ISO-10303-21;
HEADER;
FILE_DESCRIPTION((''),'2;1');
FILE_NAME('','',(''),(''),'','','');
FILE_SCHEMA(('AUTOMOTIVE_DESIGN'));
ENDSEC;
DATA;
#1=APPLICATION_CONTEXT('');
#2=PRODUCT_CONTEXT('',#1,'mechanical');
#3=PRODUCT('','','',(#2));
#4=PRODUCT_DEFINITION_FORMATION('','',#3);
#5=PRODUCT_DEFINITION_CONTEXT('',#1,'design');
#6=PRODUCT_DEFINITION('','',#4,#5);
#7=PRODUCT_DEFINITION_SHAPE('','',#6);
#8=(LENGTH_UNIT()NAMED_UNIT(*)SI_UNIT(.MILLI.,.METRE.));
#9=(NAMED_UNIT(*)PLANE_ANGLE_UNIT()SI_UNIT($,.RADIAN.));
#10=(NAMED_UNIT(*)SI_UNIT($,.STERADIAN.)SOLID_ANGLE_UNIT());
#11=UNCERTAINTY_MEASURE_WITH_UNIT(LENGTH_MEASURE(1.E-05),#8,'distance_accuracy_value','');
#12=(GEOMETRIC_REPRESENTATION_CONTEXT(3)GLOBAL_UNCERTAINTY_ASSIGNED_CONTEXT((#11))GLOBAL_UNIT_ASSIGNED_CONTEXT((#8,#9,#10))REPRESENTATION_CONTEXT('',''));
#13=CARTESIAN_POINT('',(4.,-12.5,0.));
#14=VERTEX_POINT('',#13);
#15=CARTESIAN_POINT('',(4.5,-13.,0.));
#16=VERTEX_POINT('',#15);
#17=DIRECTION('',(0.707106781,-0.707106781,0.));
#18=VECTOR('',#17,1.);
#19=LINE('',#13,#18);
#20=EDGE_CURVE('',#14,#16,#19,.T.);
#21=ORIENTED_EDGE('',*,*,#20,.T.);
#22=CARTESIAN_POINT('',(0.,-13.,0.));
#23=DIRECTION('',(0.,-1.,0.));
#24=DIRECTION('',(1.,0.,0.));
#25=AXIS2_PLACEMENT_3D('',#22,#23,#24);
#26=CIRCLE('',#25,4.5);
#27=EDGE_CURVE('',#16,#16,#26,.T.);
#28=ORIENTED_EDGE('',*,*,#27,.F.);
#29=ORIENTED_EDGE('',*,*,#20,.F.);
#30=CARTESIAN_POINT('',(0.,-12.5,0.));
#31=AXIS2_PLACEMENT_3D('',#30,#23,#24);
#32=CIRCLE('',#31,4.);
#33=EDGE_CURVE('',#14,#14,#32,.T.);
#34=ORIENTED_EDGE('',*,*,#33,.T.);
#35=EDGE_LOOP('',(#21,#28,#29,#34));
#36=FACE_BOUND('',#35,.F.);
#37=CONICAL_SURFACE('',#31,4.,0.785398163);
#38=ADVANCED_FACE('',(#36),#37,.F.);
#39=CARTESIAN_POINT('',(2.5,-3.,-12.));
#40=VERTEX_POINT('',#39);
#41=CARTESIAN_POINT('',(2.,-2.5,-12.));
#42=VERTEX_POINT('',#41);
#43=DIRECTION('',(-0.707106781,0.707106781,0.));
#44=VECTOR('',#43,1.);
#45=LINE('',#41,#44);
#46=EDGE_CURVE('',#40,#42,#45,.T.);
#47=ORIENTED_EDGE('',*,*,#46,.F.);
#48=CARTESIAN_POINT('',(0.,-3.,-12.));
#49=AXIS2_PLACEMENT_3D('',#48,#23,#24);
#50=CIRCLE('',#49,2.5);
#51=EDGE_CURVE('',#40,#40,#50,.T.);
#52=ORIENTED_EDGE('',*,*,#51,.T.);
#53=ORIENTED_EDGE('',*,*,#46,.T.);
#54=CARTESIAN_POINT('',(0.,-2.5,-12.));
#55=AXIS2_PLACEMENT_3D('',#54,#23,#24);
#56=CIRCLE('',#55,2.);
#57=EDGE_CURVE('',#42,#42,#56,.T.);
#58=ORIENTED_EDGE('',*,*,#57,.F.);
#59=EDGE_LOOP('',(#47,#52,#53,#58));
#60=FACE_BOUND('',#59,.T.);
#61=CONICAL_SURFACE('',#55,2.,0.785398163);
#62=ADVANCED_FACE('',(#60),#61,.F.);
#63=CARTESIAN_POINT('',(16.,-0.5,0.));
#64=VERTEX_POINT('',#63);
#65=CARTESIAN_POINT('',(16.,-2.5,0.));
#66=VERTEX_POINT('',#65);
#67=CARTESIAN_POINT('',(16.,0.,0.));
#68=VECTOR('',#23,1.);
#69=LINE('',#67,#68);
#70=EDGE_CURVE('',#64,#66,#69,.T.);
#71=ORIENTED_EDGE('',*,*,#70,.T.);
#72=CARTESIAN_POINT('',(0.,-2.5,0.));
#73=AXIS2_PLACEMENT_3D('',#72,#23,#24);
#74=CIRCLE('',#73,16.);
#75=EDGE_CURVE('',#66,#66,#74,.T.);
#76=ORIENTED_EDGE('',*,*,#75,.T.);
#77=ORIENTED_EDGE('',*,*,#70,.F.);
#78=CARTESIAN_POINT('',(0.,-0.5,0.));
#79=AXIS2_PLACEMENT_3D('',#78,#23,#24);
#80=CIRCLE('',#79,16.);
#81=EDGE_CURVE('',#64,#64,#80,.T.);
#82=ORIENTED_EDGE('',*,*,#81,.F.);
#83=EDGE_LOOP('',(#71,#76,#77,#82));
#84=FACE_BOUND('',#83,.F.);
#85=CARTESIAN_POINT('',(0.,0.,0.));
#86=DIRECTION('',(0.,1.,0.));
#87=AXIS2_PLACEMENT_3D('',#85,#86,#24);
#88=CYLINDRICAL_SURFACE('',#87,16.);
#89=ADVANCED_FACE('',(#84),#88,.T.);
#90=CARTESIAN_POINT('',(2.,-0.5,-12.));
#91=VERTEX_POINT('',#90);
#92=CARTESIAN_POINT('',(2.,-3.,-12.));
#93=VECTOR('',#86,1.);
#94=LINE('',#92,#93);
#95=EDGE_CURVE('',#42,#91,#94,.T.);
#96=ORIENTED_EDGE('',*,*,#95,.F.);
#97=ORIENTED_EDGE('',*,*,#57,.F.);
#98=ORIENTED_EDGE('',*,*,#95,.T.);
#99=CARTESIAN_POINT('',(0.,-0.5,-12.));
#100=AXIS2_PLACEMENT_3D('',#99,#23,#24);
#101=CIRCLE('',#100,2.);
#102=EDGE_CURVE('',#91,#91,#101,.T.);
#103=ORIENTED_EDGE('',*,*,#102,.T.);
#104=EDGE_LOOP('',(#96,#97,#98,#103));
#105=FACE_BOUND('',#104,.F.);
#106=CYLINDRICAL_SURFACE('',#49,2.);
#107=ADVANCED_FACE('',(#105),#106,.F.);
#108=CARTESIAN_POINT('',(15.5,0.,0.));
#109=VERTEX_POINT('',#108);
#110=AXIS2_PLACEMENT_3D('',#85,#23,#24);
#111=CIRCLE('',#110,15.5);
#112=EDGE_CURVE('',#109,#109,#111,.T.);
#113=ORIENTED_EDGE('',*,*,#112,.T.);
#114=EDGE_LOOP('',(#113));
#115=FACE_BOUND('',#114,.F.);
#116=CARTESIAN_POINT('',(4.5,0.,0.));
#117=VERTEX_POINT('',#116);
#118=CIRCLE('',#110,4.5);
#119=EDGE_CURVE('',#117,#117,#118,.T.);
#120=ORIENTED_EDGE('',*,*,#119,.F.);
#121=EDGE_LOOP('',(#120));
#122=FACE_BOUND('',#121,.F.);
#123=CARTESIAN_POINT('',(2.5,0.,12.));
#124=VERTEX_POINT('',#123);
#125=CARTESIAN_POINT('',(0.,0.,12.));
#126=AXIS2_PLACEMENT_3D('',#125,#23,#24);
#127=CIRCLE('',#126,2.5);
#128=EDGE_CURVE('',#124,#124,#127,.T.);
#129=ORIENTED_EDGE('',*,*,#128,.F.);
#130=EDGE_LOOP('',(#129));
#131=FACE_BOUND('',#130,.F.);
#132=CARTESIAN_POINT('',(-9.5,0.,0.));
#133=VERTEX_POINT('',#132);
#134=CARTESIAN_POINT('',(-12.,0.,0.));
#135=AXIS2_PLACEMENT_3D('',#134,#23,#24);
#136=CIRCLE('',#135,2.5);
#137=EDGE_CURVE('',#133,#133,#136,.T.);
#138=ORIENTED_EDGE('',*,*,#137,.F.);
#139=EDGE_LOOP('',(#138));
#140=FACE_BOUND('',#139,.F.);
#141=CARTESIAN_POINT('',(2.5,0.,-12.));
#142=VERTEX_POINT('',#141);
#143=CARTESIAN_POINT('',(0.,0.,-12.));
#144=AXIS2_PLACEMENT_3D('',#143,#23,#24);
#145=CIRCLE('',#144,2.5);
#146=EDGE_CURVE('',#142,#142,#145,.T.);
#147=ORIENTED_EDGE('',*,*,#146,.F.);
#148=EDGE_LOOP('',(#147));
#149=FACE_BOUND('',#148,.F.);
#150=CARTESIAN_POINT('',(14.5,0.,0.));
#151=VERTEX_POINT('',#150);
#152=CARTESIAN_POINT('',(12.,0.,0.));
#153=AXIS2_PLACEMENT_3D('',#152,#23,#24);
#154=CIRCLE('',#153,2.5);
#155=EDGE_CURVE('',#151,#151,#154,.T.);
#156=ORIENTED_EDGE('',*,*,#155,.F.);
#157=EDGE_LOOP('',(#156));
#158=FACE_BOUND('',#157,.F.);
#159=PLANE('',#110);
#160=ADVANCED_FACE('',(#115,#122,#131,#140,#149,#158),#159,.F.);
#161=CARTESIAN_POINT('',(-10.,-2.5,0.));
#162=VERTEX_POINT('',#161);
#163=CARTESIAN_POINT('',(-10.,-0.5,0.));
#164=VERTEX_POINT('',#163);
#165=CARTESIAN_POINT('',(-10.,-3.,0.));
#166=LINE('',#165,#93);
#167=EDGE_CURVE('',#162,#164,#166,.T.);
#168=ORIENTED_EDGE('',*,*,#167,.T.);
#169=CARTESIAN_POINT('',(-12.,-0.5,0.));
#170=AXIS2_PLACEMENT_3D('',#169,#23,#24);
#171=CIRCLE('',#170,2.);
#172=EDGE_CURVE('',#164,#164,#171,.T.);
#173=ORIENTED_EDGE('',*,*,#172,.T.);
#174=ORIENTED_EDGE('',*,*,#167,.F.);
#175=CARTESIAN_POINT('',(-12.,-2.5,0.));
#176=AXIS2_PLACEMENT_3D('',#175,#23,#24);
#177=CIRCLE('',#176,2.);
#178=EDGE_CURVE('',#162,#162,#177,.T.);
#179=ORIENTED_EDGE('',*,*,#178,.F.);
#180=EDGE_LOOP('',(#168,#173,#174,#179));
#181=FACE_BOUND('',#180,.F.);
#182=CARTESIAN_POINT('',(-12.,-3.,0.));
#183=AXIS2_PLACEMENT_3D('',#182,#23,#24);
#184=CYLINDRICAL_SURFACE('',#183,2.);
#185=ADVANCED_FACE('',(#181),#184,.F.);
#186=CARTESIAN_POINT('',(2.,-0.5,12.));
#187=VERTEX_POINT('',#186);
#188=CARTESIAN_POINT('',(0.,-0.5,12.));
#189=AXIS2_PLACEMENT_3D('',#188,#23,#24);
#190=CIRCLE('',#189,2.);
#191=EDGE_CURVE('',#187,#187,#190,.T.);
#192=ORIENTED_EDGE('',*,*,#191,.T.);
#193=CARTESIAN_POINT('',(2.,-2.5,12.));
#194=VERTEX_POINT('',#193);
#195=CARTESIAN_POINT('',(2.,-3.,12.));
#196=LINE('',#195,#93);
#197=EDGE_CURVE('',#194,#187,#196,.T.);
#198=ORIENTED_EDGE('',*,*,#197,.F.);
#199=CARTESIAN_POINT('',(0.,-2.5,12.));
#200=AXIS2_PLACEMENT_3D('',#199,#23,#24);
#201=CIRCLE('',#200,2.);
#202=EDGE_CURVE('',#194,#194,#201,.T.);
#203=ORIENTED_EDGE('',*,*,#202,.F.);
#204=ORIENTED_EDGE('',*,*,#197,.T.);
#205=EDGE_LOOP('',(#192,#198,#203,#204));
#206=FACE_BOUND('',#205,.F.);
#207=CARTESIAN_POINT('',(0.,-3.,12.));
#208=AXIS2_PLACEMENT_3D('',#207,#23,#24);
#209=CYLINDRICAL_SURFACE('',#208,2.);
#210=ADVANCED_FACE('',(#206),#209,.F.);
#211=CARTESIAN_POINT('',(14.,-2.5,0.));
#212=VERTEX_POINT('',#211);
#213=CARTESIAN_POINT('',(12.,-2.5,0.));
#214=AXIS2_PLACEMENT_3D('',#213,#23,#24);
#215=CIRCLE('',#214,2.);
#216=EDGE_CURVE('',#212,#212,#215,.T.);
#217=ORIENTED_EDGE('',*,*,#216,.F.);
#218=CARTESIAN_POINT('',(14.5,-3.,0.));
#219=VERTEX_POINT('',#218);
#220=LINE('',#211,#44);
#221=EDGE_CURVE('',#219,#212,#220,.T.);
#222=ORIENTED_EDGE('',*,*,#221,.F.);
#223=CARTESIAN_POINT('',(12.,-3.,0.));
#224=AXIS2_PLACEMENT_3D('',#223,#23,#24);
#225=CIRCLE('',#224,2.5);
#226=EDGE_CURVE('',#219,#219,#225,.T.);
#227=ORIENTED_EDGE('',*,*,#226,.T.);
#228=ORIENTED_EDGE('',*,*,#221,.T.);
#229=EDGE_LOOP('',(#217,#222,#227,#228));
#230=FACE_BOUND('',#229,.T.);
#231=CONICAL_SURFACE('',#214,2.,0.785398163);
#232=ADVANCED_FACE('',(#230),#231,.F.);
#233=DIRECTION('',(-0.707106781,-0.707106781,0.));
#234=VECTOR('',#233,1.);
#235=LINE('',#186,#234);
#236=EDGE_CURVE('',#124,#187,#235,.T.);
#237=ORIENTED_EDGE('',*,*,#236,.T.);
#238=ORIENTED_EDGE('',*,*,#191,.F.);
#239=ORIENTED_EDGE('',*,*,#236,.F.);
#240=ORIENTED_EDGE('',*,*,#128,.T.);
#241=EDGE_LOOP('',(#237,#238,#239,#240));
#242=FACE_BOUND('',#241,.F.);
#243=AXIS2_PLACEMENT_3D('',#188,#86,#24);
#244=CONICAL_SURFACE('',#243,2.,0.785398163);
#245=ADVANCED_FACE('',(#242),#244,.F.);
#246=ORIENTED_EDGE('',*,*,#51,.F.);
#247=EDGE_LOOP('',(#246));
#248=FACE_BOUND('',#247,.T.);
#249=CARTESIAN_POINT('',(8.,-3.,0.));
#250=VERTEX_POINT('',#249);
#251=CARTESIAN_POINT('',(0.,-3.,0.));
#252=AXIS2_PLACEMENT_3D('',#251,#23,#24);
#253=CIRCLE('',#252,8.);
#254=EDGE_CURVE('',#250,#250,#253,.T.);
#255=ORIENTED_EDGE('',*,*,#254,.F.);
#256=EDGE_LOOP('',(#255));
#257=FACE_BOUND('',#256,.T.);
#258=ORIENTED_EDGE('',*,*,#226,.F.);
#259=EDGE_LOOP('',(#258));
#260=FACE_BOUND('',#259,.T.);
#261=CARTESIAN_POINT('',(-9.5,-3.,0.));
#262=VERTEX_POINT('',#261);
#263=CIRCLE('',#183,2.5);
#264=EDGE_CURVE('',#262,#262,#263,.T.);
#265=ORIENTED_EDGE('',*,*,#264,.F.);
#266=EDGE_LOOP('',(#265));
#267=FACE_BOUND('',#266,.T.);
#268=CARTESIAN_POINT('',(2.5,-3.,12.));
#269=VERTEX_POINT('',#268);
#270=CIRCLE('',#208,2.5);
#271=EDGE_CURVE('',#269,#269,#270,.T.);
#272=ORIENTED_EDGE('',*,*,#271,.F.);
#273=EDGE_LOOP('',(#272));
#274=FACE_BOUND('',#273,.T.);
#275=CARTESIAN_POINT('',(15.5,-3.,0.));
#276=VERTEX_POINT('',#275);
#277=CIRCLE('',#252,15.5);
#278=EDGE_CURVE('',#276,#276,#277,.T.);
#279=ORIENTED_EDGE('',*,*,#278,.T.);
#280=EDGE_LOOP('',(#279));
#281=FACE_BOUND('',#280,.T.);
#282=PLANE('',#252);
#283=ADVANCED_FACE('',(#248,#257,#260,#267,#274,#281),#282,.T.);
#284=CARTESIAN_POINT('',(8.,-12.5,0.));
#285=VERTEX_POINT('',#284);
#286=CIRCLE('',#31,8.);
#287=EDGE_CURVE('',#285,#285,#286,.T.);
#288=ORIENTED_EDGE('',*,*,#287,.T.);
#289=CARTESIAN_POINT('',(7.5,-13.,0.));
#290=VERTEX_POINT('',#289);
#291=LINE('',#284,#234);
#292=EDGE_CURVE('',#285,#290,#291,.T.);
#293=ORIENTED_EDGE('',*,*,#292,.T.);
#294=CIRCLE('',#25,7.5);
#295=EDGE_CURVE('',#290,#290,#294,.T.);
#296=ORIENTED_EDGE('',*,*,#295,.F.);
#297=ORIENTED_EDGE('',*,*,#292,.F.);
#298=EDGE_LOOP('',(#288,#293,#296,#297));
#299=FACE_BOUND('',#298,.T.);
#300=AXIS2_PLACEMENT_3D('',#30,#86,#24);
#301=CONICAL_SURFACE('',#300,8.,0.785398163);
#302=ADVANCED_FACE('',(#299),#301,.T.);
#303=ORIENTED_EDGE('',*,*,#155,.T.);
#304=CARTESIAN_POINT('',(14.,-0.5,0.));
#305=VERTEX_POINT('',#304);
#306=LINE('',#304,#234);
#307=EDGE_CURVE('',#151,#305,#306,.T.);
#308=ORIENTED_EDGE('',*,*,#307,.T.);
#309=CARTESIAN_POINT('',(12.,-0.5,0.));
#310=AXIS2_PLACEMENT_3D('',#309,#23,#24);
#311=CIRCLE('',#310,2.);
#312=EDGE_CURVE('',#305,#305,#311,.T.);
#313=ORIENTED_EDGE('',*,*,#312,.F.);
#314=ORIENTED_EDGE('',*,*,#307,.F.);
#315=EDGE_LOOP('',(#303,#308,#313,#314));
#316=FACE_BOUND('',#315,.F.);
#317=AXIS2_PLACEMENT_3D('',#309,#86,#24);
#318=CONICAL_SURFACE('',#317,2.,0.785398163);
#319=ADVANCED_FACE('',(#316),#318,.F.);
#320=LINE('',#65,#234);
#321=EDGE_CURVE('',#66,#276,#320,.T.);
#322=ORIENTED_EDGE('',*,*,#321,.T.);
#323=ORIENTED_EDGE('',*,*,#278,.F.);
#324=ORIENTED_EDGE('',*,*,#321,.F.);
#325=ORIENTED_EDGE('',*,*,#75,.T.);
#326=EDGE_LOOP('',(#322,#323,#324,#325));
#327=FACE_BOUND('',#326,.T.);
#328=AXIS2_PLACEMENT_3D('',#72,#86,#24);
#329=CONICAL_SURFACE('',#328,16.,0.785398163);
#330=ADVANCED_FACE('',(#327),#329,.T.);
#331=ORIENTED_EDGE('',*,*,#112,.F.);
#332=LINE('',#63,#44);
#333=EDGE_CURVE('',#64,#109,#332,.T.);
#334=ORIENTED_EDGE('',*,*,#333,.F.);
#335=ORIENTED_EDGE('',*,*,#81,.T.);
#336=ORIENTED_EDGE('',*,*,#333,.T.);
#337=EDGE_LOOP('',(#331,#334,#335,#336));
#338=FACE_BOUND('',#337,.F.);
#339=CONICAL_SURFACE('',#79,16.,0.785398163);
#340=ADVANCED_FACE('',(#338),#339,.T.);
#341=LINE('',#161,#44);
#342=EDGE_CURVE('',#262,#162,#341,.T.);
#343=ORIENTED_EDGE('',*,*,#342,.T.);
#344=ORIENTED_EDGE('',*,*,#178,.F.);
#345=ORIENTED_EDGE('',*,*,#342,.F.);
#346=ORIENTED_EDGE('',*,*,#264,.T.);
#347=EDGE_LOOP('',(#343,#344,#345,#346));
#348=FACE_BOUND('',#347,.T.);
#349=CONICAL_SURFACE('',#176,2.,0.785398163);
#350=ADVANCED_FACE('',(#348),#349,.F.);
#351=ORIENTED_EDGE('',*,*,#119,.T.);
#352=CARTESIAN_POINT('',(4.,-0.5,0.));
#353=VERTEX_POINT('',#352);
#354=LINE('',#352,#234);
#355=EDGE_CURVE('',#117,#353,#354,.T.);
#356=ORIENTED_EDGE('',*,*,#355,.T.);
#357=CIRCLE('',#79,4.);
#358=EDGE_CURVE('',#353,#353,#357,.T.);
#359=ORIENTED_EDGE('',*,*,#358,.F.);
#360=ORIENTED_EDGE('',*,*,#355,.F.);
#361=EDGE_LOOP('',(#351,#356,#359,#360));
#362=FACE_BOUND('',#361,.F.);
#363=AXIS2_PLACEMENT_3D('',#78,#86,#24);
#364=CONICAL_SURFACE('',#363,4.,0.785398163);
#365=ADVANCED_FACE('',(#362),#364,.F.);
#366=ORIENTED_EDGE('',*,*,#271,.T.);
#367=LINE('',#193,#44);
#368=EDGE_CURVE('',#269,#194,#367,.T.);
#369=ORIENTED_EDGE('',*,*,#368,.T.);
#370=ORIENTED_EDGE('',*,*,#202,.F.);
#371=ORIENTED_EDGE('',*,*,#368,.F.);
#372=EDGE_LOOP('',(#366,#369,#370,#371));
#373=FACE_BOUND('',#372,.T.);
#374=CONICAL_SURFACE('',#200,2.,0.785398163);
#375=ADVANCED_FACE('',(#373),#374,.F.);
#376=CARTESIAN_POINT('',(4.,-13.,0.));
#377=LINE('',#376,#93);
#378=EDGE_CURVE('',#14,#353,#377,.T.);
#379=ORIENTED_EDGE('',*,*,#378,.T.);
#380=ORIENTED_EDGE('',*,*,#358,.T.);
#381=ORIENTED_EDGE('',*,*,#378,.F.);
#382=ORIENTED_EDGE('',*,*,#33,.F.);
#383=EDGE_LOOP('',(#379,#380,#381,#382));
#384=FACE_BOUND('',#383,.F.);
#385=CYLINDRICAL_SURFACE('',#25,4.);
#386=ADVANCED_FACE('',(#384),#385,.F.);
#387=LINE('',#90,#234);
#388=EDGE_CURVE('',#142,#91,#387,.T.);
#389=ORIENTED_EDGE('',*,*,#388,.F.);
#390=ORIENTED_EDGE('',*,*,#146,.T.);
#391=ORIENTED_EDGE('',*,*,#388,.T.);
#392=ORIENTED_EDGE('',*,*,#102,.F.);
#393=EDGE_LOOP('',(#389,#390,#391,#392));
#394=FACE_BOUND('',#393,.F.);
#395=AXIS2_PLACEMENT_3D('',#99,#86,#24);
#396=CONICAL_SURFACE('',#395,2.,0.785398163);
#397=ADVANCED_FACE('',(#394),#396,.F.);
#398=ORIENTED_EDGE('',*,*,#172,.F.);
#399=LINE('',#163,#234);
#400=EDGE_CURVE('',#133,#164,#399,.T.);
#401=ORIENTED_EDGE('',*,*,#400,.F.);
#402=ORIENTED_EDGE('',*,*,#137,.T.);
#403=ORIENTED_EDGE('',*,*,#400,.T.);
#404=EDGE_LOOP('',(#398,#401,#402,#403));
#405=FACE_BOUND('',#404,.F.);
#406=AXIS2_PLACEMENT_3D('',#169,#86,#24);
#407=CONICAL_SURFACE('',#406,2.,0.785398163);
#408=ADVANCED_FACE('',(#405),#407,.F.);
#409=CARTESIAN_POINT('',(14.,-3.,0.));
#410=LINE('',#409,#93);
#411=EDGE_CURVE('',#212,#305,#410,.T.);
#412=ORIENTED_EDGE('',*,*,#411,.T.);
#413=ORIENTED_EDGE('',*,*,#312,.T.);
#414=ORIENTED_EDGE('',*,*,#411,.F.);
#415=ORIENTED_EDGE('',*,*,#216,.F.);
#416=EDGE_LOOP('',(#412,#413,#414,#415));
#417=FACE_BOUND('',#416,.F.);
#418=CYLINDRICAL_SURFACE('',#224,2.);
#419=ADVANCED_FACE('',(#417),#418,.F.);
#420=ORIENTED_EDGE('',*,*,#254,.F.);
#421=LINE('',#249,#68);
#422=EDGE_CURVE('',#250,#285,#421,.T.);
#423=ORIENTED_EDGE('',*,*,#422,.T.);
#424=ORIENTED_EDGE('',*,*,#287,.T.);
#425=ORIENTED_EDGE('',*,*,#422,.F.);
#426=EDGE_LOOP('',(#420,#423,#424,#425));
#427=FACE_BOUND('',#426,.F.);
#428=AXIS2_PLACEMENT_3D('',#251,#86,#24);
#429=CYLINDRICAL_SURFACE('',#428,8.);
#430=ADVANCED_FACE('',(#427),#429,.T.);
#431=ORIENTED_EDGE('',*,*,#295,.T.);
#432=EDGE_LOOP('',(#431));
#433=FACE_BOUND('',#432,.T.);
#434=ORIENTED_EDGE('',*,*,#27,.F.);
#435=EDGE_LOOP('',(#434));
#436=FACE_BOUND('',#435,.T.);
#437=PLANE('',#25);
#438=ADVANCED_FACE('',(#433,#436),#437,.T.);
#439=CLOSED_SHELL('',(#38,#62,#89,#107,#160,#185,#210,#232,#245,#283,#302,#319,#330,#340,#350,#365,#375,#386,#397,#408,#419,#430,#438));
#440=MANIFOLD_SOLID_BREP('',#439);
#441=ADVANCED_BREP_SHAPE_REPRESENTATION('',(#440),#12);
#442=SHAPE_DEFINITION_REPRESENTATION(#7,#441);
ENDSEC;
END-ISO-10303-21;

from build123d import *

# Parameters (mm, degrees)
F0_R     = 16
F1_DEPTH = 3
F2_R     = 8
F3_DEPTH = 10
F4_R     = 4
F5_DEPTH = 13.001
F6_R     = 2
F7_DEPTH = 3.001
F8_SIZE  = 0.5


with BuildPart() as f1:
    # F0 (on Front) → F1 (new body)
    with BuildSketch(Plane.XZ):
        Circle(F0_R)
    extrude(amount=F1_DEPTH)

    # F2 (on face) → F3 (join)
    with BuildSketch(Plane.XZ.offset(3)):
        Circle(F2_R)
    extrude(amount=F3_DEPTH)

    # F4 (on face) → F5 (cut, through all)
    with BuildSketch(Plane.XZ.offset(13)):
        Circle(F4_R)
    extrude(amount=-F5_DEPTH, mode=Mode.SUBTRACT)

    # F6 (on face) → F7 (cut, through all)
    with BuildSketch(Plane.XZ.offset(3)):
        with Locations((0, 12)):
            Circle(F6_R)
        with Locations((-12, 0)):
            Circle(F6_R)
        with Locations((0, -12)):
            Circle(F6_R)
        with Locations((12, 0)):
            Circle(F6_R)
    extrude(amount=-F7_DEPTH, mode=Mode.SUBTRACT)

    # F8
    f8_edges = [f1.edges().sort_by_distance(p)[0] for p in [
        (-8, -13, 0),
        (-4, -13, 0),
        (-16, 0, 0),
        (-2, 0, -12),
        (-14, 0, 0),
        (-4, 0, 0),
        (10, 0, 0),
        (-2, 0, 12),
        (-16, -3, 0),
        (-2, -3, 12),
        (-14, -3, 0),
        (10, -3, 0),
        (-2, -3, -12),
    ]]
    chamfer(f8_edges, length=F8_SIZE)


solid = f1.part
